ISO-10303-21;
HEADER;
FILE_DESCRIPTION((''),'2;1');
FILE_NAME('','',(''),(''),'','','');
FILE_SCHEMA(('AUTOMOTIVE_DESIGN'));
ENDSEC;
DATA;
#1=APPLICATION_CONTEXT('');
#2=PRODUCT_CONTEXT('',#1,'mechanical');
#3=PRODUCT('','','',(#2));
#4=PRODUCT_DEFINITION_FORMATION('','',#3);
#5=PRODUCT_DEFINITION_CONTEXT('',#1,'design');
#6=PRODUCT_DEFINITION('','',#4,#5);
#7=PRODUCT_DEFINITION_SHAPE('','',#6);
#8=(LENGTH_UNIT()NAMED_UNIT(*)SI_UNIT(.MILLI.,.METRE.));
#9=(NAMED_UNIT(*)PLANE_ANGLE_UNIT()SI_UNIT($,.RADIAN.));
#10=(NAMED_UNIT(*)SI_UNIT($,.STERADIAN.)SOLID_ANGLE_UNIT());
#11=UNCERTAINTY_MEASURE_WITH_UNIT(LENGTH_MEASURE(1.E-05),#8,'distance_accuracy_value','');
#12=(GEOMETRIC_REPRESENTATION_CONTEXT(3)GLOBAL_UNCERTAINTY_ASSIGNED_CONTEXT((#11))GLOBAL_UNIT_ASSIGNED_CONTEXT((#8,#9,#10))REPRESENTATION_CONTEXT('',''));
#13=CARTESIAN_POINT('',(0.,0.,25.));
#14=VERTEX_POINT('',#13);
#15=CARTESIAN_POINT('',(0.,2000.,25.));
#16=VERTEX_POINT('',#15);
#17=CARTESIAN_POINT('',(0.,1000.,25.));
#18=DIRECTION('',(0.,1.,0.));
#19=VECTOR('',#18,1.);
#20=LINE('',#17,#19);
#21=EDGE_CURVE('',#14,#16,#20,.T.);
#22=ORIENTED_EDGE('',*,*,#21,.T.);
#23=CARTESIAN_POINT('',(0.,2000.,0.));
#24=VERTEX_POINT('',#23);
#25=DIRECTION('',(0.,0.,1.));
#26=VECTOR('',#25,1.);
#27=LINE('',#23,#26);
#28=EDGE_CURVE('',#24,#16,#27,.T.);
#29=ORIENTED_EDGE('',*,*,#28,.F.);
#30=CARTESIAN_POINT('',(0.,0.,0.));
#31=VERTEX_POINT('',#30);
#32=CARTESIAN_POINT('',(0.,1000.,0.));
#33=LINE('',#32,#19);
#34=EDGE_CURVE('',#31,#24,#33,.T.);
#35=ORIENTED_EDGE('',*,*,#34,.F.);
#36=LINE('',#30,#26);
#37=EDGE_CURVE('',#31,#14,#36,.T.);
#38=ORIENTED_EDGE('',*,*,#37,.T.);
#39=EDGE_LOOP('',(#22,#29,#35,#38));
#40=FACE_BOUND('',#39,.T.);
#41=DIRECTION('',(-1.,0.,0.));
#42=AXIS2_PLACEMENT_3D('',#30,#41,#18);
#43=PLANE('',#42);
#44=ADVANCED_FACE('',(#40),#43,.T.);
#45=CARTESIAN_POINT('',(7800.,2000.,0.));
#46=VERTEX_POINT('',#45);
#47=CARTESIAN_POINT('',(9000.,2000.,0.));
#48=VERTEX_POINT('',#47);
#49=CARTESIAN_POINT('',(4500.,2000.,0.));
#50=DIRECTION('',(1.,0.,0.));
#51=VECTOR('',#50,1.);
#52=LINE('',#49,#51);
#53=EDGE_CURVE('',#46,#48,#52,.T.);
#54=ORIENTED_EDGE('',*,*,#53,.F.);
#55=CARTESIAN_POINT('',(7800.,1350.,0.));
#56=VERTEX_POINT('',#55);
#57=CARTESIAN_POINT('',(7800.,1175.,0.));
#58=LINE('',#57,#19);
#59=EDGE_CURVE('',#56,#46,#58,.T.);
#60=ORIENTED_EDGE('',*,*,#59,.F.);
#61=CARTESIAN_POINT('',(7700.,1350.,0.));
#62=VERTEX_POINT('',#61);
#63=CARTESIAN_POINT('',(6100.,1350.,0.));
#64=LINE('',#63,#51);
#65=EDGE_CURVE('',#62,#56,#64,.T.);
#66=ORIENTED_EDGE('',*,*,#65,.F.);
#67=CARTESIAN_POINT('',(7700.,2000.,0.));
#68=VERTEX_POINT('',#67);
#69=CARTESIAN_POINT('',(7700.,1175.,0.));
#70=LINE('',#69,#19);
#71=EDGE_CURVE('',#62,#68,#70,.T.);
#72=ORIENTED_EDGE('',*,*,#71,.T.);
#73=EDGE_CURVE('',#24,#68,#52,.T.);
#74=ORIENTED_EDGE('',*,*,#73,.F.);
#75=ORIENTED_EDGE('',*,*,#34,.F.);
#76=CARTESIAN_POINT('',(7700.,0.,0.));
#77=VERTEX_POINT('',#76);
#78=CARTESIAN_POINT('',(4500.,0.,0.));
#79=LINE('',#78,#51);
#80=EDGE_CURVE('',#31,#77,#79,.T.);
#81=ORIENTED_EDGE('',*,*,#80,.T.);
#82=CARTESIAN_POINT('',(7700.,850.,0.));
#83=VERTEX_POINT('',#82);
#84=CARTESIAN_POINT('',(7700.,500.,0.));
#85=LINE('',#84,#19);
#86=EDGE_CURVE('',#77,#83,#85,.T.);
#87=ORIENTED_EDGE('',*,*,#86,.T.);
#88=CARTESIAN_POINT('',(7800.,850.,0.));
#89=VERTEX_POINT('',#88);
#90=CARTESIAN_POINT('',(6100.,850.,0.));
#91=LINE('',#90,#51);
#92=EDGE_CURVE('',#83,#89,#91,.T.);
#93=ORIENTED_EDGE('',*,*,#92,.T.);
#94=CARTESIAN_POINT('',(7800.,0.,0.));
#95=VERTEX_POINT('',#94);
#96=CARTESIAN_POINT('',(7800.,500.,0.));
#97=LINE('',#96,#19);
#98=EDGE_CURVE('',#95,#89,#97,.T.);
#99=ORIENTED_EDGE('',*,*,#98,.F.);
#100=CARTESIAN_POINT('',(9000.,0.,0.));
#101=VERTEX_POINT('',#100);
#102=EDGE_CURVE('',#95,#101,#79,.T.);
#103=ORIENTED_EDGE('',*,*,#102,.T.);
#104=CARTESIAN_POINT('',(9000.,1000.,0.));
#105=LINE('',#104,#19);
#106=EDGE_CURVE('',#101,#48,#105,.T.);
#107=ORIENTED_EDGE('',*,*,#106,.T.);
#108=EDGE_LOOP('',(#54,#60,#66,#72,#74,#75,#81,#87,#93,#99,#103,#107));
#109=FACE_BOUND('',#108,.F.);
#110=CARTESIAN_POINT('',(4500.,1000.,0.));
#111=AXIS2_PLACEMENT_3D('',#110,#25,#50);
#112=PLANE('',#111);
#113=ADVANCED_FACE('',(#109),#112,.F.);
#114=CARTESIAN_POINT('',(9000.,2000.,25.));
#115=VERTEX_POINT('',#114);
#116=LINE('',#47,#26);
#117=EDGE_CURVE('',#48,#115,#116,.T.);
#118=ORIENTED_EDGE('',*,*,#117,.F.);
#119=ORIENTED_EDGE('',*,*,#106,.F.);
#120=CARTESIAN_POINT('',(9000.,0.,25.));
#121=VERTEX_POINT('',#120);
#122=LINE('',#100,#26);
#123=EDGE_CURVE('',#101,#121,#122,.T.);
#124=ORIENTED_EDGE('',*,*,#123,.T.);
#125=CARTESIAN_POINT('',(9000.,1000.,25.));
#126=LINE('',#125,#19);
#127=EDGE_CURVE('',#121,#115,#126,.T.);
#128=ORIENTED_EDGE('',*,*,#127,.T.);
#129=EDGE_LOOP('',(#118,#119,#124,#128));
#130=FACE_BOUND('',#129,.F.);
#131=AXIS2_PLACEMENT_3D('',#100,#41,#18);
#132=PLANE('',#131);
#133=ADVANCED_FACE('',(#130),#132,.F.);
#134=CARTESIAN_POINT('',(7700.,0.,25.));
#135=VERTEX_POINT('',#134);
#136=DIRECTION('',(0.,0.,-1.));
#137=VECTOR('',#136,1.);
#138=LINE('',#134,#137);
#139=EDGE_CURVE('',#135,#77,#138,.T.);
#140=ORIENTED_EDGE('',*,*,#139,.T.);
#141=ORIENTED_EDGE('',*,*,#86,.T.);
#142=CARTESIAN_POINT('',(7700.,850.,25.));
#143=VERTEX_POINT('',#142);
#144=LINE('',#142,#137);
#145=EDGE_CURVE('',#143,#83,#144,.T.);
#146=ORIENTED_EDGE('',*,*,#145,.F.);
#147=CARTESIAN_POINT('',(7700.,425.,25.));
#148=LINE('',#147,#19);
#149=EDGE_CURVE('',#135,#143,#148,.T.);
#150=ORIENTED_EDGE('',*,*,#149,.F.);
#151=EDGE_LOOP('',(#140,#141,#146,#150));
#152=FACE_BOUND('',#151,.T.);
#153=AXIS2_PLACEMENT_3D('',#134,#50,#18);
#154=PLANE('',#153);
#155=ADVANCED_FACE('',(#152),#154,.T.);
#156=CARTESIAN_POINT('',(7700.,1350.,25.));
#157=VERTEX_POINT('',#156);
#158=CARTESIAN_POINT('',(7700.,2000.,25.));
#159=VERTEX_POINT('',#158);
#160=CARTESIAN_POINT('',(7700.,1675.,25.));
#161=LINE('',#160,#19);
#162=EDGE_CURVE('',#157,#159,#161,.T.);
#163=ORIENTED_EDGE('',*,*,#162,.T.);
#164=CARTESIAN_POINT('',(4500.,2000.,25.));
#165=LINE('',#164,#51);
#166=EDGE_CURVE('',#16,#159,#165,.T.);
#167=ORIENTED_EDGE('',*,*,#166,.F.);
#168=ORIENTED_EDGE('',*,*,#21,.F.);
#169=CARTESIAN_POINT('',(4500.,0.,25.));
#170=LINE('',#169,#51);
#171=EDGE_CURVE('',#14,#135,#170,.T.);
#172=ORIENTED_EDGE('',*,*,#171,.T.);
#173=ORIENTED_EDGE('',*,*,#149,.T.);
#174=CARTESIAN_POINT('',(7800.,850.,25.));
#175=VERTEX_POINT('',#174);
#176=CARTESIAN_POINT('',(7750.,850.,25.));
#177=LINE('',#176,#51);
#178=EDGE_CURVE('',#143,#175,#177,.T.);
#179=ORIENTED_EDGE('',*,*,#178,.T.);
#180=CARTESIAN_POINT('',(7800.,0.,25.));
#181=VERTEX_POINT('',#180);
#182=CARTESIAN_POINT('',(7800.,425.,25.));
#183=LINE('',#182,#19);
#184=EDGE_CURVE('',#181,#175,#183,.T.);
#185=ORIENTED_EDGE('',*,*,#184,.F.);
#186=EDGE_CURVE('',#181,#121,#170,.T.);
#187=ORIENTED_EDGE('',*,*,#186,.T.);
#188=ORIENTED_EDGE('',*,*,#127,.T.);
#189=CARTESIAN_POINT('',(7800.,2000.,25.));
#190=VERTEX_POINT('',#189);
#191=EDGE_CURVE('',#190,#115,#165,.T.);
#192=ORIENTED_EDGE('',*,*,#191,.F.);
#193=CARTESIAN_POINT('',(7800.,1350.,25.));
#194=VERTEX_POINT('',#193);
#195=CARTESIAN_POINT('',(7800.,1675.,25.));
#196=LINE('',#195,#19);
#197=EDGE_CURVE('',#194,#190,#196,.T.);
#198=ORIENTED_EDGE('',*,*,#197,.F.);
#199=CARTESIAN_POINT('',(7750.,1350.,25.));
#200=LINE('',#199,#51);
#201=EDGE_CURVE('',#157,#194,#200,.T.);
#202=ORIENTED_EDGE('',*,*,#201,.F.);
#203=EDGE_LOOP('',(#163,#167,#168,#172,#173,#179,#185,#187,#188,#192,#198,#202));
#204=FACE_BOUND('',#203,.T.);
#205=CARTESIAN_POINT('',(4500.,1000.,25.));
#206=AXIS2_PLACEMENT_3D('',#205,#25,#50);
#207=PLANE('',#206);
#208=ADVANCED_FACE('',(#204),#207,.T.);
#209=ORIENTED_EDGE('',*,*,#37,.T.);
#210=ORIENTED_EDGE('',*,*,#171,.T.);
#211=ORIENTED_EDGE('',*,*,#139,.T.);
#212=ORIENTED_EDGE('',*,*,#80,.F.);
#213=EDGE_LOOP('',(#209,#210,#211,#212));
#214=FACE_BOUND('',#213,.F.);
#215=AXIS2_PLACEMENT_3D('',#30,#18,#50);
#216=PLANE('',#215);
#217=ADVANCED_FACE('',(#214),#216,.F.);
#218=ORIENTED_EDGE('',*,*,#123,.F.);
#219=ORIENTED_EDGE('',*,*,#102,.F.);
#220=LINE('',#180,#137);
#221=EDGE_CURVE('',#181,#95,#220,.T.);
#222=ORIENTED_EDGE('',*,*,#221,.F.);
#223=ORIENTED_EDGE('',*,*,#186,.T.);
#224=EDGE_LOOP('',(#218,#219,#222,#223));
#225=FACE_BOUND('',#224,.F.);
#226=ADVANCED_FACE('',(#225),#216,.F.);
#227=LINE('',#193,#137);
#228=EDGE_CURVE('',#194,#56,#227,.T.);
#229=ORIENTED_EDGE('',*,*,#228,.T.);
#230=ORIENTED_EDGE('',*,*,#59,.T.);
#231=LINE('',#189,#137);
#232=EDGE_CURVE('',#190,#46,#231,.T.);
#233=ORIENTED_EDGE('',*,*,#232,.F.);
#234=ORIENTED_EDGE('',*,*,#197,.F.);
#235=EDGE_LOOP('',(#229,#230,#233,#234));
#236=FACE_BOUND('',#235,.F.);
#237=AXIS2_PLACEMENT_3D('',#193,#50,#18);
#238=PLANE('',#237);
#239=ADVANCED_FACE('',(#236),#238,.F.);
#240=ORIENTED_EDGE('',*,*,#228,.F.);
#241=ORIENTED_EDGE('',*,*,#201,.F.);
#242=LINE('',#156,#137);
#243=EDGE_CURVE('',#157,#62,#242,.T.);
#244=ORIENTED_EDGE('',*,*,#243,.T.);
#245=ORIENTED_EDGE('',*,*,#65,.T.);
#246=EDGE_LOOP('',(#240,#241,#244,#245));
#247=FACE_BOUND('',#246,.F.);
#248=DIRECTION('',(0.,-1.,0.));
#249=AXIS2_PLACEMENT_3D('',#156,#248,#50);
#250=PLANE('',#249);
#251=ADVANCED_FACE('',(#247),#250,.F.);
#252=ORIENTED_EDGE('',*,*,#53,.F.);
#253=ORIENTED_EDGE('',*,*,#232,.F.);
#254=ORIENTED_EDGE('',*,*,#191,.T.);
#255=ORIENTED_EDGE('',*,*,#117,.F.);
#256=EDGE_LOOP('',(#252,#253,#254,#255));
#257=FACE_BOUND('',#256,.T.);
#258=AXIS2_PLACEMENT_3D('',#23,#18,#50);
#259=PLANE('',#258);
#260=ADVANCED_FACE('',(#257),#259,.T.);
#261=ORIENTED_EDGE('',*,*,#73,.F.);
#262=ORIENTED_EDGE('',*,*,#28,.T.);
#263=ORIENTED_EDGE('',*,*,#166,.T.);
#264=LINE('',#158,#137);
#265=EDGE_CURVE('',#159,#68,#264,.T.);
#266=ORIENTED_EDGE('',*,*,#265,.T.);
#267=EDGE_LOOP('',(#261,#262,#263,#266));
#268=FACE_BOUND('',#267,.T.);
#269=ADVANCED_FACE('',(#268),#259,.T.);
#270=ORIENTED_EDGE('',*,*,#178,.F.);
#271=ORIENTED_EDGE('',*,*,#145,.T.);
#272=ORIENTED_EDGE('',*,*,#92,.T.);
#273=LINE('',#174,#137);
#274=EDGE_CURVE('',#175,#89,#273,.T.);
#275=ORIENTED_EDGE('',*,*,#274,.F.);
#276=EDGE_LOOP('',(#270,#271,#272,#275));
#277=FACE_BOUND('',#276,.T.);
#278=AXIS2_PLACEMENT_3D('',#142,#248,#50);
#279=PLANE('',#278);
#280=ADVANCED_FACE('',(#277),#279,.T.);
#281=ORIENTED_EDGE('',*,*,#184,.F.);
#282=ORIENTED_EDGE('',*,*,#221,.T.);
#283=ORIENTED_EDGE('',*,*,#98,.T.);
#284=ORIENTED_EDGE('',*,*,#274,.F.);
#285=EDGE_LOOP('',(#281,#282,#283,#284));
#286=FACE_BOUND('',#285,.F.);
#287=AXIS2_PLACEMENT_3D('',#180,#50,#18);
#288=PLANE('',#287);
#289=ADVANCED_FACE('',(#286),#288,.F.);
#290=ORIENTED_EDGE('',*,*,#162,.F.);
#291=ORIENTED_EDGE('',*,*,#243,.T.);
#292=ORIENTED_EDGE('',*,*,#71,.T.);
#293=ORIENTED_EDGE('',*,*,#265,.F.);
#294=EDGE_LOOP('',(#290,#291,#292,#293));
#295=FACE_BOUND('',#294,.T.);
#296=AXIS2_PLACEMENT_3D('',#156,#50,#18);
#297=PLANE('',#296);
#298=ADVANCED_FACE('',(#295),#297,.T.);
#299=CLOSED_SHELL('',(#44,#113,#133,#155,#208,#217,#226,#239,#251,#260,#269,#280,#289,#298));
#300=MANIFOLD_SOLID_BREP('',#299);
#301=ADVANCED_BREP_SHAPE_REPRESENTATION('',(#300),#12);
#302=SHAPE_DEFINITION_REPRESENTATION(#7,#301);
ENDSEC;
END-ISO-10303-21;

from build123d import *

# Parameters (mm, degrees)
F0_W     = 9000
F0_H     = 2000
F1_DEPTH = 25
F2_W     = 100
F2_H     = 650
F2_H_2   = 850
F3_DEPTH = 25.001


with BuildPart() as f1:
    # F0 (on Top) → F1 (new body)
    with BuildSketch(Plane.XY):
        with Locations((4500, 1000)):
            Rectangle(F0_W, F0_H)
    extrude(amount=F1_DEPTH)

    # F2 (on face) → F3 (cut, through all)
    with BuildSketch(Plane.XY.offset(25)):
        with Locations((7750, 1675)):
            Rectangle(F2_W, F2_H)
        with Locations((7750, 425)):
            Rectangle(F2_W, F2_H_2)
    extrude(amount=-F3_DEPTH, mode=Mode.SUBTRACT)


solid = f1.part
